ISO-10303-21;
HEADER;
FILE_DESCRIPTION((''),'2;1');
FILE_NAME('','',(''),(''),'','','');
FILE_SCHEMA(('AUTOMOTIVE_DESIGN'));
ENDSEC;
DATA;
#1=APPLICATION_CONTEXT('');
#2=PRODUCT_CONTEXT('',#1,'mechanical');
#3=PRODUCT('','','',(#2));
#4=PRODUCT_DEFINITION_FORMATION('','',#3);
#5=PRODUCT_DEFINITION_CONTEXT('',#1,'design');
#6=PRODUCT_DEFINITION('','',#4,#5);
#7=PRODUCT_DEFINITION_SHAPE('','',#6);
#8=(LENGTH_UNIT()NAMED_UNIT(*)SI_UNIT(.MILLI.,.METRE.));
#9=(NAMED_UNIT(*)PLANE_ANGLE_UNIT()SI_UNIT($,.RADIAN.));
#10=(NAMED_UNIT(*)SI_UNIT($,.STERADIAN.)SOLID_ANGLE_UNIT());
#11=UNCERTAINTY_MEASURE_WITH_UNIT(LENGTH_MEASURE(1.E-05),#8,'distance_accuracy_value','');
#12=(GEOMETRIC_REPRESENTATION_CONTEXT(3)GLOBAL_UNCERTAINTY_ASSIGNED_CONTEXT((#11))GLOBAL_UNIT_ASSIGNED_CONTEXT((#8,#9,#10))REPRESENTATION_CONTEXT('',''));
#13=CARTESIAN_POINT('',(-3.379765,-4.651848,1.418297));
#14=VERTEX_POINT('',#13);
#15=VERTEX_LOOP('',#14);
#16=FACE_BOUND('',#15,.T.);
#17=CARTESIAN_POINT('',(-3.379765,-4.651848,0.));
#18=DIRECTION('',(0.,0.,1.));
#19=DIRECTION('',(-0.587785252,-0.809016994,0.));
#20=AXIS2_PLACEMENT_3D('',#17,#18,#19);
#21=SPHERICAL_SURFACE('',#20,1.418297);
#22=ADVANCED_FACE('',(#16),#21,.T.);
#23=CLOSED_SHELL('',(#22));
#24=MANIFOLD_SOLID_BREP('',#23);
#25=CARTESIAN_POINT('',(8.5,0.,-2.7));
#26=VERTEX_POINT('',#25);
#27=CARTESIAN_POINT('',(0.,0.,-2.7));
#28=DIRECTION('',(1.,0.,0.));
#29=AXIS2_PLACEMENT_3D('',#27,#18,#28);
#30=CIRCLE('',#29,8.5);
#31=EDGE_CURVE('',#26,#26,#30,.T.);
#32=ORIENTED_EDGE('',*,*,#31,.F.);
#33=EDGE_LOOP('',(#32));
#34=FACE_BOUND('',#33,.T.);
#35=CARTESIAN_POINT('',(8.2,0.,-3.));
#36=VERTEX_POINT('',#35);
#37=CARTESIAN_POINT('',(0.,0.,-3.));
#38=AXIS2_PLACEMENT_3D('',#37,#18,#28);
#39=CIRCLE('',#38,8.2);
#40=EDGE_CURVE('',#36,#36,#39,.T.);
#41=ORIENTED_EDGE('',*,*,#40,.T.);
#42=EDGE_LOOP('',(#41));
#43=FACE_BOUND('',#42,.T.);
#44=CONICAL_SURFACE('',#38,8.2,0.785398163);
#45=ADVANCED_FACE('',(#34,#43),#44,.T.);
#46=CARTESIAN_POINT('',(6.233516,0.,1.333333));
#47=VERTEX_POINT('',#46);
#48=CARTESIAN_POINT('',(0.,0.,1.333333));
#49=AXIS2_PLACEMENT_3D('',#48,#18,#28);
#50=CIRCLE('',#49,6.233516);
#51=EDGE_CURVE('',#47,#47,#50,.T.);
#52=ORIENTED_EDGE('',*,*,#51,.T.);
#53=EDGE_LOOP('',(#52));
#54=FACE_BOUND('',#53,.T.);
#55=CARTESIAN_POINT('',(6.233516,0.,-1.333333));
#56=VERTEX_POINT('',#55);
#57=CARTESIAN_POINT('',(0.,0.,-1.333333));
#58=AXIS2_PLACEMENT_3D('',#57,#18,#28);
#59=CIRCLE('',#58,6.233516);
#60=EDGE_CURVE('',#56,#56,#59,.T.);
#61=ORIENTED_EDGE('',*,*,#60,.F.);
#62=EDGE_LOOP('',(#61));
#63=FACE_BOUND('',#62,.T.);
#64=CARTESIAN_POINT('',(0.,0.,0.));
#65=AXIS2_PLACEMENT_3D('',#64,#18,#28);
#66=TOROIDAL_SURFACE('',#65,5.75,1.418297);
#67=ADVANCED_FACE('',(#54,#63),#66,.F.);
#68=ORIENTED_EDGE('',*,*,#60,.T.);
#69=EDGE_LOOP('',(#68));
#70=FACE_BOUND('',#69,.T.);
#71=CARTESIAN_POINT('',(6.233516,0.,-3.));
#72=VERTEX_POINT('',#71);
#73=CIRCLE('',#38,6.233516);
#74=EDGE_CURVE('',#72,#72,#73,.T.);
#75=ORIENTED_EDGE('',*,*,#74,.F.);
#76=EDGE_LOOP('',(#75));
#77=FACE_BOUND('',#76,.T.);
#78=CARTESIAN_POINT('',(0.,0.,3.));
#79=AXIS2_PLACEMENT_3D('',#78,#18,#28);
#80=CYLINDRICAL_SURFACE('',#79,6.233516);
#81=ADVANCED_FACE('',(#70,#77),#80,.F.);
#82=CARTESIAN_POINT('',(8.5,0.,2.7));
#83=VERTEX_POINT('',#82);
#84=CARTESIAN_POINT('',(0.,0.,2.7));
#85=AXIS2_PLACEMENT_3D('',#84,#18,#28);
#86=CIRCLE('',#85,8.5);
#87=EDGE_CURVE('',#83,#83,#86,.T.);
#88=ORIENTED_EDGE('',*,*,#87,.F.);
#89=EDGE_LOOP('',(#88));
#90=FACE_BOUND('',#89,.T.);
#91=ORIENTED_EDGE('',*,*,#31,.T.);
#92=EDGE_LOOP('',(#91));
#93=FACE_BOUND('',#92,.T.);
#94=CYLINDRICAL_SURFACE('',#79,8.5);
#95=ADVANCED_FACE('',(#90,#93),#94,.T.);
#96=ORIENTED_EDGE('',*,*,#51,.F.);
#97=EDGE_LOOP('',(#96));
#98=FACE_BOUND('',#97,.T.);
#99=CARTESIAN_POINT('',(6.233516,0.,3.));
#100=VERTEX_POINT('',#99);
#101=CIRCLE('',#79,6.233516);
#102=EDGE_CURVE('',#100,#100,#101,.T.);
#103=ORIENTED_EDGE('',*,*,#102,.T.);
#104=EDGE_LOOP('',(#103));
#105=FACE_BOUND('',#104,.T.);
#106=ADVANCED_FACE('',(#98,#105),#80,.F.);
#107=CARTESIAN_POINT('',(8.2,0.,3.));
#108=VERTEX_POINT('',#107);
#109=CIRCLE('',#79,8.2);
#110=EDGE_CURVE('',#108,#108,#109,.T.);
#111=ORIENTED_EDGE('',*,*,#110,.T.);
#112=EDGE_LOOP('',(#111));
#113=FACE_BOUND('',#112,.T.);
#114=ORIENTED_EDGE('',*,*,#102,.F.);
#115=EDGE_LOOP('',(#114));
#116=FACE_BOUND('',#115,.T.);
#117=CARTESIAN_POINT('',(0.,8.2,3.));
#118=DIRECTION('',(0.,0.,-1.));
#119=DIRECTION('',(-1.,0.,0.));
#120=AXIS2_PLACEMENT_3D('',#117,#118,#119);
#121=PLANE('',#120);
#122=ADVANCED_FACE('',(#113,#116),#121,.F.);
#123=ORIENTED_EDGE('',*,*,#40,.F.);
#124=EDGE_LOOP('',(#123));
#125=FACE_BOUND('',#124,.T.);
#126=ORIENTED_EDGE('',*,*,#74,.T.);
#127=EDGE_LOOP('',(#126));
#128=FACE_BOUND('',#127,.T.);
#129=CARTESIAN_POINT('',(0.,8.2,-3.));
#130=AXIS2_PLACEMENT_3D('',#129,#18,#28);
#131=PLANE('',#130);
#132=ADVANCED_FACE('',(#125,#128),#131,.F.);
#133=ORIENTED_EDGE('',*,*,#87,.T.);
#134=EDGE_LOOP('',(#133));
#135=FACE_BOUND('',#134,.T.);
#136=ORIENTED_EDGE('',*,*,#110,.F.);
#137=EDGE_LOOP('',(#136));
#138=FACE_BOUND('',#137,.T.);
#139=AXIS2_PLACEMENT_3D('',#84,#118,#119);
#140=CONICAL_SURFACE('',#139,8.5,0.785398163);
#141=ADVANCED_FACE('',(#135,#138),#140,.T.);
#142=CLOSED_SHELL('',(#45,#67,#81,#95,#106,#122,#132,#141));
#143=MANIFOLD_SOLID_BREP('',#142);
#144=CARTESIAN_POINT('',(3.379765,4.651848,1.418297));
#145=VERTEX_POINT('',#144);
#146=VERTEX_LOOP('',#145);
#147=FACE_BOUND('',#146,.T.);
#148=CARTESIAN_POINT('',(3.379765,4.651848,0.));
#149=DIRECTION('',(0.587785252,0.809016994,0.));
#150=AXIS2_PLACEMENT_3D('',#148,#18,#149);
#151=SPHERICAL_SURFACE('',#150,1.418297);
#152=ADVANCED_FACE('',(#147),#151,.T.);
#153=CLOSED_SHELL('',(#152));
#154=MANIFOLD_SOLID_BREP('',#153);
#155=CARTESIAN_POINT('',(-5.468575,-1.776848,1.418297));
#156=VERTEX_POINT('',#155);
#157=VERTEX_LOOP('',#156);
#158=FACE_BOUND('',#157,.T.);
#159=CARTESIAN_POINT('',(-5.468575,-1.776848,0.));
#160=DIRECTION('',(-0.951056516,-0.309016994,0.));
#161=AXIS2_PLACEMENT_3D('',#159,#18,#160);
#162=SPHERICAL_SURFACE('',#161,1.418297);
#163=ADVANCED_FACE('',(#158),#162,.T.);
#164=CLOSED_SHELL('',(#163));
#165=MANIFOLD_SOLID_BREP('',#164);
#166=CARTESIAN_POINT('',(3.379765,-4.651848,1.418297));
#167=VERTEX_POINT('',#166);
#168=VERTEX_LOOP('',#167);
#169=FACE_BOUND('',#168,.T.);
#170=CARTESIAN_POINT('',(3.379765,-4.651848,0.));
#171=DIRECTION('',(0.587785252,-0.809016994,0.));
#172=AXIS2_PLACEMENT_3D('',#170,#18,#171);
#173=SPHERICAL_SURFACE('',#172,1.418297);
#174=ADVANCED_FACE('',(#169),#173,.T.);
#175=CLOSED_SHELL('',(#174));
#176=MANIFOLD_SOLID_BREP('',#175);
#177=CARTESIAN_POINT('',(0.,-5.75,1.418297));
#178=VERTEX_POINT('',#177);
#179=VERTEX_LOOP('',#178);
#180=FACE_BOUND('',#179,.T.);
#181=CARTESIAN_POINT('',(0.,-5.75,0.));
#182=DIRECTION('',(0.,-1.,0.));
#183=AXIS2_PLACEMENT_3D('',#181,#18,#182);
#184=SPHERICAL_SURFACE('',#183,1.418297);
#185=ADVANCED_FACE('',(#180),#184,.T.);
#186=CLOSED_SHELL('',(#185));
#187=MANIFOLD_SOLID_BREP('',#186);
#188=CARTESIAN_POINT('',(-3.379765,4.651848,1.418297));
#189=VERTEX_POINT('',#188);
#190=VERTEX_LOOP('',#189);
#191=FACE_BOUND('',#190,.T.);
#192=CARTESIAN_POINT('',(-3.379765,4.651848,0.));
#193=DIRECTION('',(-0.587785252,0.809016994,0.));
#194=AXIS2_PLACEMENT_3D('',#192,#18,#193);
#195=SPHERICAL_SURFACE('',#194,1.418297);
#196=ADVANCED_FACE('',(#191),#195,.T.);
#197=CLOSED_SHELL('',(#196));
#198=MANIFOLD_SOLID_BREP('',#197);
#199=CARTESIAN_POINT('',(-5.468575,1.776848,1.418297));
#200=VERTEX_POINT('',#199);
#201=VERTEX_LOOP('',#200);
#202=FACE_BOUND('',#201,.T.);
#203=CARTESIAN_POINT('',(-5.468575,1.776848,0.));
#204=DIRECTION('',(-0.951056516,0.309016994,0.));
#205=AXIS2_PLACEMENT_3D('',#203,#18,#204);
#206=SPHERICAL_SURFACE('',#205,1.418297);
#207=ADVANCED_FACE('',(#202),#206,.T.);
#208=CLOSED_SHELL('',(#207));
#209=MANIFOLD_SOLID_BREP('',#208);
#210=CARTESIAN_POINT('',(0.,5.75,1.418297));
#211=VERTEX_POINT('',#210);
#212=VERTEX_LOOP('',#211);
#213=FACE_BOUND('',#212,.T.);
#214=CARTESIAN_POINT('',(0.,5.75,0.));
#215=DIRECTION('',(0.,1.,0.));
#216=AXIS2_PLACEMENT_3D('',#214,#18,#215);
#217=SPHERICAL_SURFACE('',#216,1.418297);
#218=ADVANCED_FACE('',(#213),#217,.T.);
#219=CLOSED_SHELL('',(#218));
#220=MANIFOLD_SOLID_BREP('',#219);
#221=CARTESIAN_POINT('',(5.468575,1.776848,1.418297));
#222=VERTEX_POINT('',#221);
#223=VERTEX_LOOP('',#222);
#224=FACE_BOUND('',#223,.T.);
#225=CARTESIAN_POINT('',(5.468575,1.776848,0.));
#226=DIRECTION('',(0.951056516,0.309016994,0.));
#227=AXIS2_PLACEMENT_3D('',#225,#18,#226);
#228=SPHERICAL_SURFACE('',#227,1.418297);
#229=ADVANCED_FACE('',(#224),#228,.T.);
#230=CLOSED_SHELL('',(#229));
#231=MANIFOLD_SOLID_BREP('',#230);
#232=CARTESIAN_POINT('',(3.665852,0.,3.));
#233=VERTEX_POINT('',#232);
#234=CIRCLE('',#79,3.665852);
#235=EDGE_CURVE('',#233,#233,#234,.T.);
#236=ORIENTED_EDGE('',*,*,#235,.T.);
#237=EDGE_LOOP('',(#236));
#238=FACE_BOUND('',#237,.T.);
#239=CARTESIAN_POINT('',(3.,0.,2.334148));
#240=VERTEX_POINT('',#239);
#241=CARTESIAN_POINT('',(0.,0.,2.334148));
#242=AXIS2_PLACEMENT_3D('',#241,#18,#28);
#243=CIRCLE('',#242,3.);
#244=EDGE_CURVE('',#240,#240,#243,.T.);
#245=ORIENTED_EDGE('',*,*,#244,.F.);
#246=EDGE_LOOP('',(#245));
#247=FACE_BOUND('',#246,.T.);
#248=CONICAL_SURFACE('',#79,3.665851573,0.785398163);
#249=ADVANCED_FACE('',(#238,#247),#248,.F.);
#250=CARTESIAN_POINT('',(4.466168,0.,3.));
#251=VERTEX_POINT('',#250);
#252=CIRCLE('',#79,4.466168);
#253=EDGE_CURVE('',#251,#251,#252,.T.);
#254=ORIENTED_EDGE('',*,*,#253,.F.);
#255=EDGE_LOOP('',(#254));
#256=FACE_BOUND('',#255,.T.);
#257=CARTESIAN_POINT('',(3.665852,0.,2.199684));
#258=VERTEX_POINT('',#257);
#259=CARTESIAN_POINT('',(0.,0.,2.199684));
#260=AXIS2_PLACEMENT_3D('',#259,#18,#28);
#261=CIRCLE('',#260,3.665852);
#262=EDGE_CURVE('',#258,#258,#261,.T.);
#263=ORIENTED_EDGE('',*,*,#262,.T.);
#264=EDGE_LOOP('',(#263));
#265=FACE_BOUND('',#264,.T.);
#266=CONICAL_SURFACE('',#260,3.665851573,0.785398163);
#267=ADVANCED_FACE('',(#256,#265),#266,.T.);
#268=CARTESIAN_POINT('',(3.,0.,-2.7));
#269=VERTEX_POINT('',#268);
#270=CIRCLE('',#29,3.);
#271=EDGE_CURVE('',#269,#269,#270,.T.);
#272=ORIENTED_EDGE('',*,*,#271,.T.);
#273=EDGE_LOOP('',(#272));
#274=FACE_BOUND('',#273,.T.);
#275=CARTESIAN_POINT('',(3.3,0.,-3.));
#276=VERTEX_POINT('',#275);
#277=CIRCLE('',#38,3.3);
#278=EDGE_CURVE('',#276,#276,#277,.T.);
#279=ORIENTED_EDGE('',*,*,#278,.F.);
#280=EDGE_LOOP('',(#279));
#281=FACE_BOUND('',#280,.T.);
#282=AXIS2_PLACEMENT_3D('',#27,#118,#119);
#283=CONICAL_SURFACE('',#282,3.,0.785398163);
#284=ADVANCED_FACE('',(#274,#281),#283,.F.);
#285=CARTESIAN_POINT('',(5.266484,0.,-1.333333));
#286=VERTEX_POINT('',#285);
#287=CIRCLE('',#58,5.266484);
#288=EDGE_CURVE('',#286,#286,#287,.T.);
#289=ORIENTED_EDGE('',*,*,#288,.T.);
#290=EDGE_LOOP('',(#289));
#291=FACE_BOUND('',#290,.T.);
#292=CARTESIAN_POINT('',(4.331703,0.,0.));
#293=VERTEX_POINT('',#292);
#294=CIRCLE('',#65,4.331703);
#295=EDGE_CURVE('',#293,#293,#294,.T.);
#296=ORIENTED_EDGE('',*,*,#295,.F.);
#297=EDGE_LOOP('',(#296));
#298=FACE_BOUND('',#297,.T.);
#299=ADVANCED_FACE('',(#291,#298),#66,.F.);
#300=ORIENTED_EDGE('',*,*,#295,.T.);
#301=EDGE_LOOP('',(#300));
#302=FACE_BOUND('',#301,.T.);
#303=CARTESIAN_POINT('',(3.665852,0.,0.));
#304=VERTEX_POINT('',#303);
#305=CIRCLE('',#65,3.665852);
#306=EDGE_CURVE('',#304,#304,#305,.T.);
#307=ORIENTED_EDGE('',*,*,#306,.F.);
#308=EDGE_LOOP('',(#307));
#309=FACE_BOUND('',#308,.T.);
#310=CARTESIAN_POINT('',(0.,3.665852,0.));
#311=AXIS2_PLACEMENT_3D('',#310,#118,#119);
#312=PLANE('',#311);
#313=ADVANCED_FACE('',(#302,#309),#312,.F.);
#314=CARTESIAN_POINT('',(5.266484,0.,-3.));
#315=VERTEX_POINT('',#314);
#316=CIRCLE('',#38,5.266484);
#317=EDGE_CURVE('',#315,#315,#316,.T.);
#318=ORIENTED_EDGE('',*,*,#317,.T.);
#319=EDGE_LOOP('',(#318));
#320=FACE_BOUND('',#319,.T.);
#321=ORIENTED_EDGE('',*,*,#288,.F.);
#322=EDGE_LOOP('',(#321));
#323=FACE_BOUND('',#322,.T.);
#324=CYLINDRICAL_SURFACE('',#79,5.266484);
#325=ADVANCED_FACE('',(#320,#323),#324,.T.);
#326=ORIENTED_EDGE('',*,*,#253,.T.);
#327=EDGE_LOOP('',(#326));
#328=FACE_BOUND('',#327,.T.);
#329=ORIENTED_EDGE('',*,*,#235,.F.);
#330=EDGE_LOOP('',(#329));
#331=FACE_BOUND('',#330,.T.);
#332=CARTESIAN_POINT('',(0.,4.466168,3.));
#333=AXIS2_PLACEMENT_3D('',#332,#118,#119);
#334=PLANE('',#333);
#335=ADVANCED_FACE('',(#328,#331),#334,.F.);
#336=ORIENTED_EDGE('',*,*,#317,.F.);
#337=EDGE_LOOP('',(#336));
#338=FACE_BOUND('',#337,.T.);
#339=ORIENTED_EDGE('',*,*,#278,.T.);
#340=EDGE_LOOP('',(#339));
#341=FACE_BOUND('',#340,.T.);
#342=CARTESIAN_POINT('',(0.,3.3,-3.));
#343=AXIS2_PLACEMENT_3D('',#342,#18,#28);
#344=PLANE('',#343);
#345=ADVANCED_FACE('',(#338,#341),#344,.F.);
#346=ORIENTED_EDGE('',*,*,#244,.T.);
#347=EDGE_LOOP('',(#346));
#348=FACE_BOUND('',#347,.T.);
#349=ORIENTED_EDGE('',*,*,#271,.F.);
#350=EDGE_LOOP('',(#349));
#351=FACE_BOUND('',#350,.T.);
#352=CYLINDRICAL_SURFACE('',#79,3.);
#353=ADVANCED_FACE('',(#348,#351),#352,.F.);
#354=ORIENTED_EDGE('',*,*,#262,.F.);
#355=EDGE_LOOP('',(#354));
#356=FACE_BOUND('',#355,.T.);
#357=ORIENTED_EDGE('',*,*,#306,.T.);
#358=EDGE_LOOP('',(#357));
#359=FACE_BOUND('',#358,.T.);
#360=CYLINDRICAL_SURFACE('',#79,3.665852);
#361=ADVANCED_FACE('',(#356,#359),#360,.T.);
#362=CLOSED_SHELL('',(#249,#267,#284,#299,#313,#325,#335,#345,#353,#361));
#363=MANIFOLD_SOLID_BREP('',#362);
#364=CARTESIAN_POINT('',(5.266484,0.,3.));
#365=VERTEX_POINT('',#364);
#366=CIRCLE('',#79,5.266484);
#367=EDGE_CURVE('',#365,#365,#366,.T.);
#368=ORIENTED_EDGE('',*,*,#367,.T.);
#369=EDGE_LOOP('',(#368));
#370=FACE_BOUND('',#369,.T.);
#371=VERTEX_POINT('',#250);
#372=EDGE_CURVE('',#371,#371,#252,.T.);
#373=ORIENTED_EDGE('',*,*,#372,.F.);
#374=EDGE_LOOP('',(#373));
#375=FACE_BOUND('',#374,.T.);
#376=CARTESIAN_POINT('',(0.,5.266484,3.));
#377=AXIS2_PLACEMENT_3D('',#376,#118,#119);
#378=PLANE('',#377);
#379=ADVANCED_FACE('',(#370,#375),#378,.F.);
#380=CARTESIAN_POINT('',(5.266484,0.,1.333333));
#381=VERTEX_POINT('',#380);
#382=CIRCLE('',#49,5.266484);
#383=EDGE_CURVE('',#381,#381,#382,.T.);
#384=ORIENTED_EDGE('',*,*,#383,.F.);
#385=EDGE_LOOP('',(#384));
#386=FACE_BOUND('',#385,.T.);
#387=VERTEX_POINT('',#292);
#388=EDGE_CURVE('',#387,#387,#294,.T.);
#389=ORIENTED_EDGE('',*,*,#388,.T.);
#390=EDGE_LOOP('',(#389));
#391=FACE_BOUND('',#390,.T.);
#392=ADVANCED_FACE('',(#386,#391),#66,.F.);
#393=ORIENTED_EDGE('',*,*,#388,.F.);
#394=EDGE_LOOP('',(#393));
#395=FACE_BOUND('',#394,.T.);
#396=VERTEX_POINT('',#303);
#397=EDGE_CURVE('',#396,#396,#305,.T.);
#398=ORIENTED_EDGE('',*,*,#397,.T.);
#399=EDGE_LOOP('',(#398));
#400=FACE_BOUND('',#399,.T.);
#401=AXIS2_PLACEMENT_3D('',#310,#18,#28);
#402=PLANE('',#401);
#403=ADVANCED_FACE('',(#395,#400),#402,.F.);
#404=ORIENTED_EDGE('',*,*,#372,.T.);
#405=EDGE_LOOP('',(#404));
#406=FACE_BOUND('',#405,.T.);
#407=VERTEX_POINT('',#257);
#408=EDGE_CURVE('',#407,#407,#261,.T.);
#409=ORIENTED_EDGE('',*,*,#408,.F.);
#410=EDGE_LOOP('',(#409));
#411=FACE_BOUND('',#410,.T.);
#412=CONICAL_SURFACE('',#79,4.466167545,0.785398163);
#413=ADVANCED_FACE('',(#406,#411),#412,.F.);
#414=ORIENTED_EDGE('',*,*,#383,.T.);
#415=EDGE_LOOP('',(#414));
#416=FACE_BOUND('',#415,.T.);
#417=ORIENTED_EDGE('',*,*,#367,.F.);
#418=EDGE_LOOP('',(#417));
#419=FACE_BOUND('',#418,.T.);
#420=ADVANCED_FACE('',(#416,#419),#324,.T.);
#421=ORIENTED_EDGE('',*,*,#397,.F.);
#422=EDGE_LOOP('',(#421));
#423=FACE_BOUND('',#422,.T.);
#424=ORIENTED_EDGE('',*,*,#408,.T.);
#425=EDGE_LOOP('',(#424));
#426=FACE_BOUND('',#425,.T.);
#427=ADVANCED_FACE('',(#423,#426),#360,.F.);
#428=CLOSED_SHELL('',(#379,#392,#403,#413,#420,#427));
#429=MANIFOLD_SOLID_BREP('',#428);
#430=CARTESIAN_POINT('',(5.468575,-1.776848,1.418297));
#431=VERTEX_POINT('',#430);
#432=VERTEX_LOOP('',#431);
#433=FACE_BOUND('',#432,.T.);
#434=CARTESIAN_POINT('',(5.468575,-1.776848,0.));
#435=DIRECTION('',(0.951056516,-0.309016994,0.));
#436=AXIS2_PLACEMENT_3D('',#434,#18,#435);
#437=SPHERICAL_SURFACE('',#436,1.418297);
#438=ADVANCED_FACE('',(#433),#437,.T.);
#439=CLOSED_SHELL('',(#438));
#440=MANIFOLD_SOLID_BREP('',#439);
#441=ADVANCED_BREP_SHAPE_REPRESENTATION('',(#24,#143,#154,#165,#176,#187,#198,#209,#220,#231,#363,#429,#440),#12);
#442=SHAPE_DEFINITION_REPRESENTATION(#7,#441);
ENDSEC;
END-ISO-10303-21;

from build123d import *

# Parameters (mm, degrees)
CIRPATTERN1_COUNT = 10


with BuildPart() as part:
    # Sketch1 → Revolve1 (revolve)
    with BuildSketch(Plane(origin=(0, 0, 0), x_dir=(0, 0, -1), z_dir=(1, 0, 0))):
        with BuildLine():
            Line((2.7, 8.5), (-2.7, 8.5))
            Line((-2.7, 8.5), (-3, 8.2))
            Line((-3, 8.2), (-3, 6.233516484))
            Line((-3, 6.233516484), (-1.333333333, 6.233516484))
            ThreePointArc((-1.333333333, 6.233516484), (0, 7.168296855), (1.333333333, 6.233516484))
            Line((1.333333333, 6.233516484), (3, 6.233516484))
            Line((3, 6.233516484), (3, 8.2))
            Line((3, 8.2), (2.7, 8.5))
        make_face()
    revolve(axis=Axis((0, 0, 3), (0, 0, -1)))


with BuildPart() as body_2:
    # Sketch2 → Revolve2 (revolve)
    with BuildSketch(Plane(origin=(0, 0, 0), x_dir=(0, 0, -1), z_dir=(1, 0, 0))):
        with BuildLine():
            Line((-3, 5.266483516), (-1.333333333, 5.266483516))
            ThreePointArc((-1.333333333, 5.266483516), (-0.814185501, 4.588678366), (0, 4.331703145))
            Line((0, 4.331703145), (0, 3.665851573))
            Line((0, 3.665851573), (-2.199684028, 3.665851573))
            Line((-2.199684028, 3.665851573), (-3, 4.466167545))
            Line((-3, 4.466167545), (-3, 5.266483516))
        make_face()
    revolve(axis=Axis((0, 0, 3), (0, 0, -1)))


with BuildPart() as body_3:
    # Sketch3 → Revolve3 (revolve)
    with BuildSketch(Plane(origin=(0, 0, 0), x_dir=(0, 0, -1), z_dir=(1, 0, 0))):
        with BuildLine():
            Line((-3, 4.466167545), (-2.199684028, 3.665851573))
            Line((-2.199684028, 3.665851573), (0, 3.665851573))
            Line((0, 3.665851573), (0, 4.331703145))
            ThreePointArc((0, 4.331703145), (0.814185501, 4.588678366), (1.333333333, 5.266483516))
            Line((1.333333333, 5.266483516), (3, 5.266483516))
            Line((3, 5.266483516), (3, 3.3))
            Line((3, 3.3), (2.7, 3))
            Line((2.7, 3), (-2.334148427, 3))
            Line((-2.334148427, 3), (-3, 3.665851573))
            Line((-3, 3.665851573), (-3, 4.466167545))
        make_face()
    revolve(axis=Axis((0, 0, 3), (0, 0, -1)))


with BuildPart() as body_4:
    # Sketch4 → Revolve4 (revolve)
    with BuildSketch(Plane(origin=(0, 0, 0), x_dir=(0, 0, -1), z_dir=(1, 0, 0))):
        with BuildLine():
            Line((-1.418296855, 5.75), (1.418296855, 5.75))
            ThreePointArc((1.418296855, 5.75), (0, 7.168296855), (-1.418296855, 5.75))
        make_face()
    revolve(axis=Axis((0, 5.75, 1.418296855), (0, 0, -1)))


with BuildPart() as cirpattern1_1:
    # CirPattern1: pattern copy
    add(body_4.part.rotate(Axis((0, 0, -3), (0, 0, 1)), 1 * 360 / CIRPATTERN1_COUNT))


with BuildPart() as cirpattern1_2:
    # CirPattern1: pattern copy
    add(body_4.part.rotate(Axis((0, 0, -3), (0, 0, 1)), 2 * 360 / CIRPATTERN1_COUNT))


with BuildPart() as cirpattern1_3:
    # CirPattern1: pattern copy
    add(body_4.part.rotate(Axis((0, 0, -3), (0, 0, 1)), 3 * 360 / CIRPATTERN1_COUNT))


with BuildPart() as cirpattern1_4:
    # CirPattern1: pattern copy
    add(body_4.part.rotate(Axis((0, 0, -3), (0, 0, 1)), 4 * 360 / CIRPATTERN1_COUNT))


with BuildPart() as cirpattern1_5:
    # CirPattern1: pattern copy
    add(body_4.part.rotate(Axis((0, 0, -3), (0, 0, 1)), 5 * 360 / CIRPATTERN1_COUNT))


with BuildPart() as cirpattern1_6:
    # CirPattern1: pattern copy
    add(body_4.part.rotate(Axis((0, 0, -3), (0, 0, 1)), 6 * 360 / CIRPATTERN1_COUNT))


with BuildPart() as cirpattern1_7:
    # CirPattern1: pattern copy
    add(body_4.part.rotate(Axis((0, 0, -3), (0, 0, 1)), 7 * 360 / CIRPATTERN1_COUNT))


with BuildPart() as cirpattern1_8:
    # CirPattern1: pattern copy
    add(body_4.part.rotate(Axis((0, 0, -3), (0, 0, 1)), 8 * 360 / CIRPATTERN1_COUNT))


with BuildPart() as cirpattern1_9:
    # CirPattern1: pattern copy
    add(body_4.part.rotate(Axis((0, 0, -3), (0, 0, 1)), 9 * 360 / CIRPATTERN1_COUNT))


solid = Compound([part.part, body_2.part, body_3.part, body_4.part, cirpattern1_1.part, cirpattern1_2.part, cirpattern1_3.part, cirpattern1_4.part, cirpattern1_5.part, cirpattern1_6.part, cirpattern1_7.part, cirpattern1_8.part, cirpattern1_9.part])
